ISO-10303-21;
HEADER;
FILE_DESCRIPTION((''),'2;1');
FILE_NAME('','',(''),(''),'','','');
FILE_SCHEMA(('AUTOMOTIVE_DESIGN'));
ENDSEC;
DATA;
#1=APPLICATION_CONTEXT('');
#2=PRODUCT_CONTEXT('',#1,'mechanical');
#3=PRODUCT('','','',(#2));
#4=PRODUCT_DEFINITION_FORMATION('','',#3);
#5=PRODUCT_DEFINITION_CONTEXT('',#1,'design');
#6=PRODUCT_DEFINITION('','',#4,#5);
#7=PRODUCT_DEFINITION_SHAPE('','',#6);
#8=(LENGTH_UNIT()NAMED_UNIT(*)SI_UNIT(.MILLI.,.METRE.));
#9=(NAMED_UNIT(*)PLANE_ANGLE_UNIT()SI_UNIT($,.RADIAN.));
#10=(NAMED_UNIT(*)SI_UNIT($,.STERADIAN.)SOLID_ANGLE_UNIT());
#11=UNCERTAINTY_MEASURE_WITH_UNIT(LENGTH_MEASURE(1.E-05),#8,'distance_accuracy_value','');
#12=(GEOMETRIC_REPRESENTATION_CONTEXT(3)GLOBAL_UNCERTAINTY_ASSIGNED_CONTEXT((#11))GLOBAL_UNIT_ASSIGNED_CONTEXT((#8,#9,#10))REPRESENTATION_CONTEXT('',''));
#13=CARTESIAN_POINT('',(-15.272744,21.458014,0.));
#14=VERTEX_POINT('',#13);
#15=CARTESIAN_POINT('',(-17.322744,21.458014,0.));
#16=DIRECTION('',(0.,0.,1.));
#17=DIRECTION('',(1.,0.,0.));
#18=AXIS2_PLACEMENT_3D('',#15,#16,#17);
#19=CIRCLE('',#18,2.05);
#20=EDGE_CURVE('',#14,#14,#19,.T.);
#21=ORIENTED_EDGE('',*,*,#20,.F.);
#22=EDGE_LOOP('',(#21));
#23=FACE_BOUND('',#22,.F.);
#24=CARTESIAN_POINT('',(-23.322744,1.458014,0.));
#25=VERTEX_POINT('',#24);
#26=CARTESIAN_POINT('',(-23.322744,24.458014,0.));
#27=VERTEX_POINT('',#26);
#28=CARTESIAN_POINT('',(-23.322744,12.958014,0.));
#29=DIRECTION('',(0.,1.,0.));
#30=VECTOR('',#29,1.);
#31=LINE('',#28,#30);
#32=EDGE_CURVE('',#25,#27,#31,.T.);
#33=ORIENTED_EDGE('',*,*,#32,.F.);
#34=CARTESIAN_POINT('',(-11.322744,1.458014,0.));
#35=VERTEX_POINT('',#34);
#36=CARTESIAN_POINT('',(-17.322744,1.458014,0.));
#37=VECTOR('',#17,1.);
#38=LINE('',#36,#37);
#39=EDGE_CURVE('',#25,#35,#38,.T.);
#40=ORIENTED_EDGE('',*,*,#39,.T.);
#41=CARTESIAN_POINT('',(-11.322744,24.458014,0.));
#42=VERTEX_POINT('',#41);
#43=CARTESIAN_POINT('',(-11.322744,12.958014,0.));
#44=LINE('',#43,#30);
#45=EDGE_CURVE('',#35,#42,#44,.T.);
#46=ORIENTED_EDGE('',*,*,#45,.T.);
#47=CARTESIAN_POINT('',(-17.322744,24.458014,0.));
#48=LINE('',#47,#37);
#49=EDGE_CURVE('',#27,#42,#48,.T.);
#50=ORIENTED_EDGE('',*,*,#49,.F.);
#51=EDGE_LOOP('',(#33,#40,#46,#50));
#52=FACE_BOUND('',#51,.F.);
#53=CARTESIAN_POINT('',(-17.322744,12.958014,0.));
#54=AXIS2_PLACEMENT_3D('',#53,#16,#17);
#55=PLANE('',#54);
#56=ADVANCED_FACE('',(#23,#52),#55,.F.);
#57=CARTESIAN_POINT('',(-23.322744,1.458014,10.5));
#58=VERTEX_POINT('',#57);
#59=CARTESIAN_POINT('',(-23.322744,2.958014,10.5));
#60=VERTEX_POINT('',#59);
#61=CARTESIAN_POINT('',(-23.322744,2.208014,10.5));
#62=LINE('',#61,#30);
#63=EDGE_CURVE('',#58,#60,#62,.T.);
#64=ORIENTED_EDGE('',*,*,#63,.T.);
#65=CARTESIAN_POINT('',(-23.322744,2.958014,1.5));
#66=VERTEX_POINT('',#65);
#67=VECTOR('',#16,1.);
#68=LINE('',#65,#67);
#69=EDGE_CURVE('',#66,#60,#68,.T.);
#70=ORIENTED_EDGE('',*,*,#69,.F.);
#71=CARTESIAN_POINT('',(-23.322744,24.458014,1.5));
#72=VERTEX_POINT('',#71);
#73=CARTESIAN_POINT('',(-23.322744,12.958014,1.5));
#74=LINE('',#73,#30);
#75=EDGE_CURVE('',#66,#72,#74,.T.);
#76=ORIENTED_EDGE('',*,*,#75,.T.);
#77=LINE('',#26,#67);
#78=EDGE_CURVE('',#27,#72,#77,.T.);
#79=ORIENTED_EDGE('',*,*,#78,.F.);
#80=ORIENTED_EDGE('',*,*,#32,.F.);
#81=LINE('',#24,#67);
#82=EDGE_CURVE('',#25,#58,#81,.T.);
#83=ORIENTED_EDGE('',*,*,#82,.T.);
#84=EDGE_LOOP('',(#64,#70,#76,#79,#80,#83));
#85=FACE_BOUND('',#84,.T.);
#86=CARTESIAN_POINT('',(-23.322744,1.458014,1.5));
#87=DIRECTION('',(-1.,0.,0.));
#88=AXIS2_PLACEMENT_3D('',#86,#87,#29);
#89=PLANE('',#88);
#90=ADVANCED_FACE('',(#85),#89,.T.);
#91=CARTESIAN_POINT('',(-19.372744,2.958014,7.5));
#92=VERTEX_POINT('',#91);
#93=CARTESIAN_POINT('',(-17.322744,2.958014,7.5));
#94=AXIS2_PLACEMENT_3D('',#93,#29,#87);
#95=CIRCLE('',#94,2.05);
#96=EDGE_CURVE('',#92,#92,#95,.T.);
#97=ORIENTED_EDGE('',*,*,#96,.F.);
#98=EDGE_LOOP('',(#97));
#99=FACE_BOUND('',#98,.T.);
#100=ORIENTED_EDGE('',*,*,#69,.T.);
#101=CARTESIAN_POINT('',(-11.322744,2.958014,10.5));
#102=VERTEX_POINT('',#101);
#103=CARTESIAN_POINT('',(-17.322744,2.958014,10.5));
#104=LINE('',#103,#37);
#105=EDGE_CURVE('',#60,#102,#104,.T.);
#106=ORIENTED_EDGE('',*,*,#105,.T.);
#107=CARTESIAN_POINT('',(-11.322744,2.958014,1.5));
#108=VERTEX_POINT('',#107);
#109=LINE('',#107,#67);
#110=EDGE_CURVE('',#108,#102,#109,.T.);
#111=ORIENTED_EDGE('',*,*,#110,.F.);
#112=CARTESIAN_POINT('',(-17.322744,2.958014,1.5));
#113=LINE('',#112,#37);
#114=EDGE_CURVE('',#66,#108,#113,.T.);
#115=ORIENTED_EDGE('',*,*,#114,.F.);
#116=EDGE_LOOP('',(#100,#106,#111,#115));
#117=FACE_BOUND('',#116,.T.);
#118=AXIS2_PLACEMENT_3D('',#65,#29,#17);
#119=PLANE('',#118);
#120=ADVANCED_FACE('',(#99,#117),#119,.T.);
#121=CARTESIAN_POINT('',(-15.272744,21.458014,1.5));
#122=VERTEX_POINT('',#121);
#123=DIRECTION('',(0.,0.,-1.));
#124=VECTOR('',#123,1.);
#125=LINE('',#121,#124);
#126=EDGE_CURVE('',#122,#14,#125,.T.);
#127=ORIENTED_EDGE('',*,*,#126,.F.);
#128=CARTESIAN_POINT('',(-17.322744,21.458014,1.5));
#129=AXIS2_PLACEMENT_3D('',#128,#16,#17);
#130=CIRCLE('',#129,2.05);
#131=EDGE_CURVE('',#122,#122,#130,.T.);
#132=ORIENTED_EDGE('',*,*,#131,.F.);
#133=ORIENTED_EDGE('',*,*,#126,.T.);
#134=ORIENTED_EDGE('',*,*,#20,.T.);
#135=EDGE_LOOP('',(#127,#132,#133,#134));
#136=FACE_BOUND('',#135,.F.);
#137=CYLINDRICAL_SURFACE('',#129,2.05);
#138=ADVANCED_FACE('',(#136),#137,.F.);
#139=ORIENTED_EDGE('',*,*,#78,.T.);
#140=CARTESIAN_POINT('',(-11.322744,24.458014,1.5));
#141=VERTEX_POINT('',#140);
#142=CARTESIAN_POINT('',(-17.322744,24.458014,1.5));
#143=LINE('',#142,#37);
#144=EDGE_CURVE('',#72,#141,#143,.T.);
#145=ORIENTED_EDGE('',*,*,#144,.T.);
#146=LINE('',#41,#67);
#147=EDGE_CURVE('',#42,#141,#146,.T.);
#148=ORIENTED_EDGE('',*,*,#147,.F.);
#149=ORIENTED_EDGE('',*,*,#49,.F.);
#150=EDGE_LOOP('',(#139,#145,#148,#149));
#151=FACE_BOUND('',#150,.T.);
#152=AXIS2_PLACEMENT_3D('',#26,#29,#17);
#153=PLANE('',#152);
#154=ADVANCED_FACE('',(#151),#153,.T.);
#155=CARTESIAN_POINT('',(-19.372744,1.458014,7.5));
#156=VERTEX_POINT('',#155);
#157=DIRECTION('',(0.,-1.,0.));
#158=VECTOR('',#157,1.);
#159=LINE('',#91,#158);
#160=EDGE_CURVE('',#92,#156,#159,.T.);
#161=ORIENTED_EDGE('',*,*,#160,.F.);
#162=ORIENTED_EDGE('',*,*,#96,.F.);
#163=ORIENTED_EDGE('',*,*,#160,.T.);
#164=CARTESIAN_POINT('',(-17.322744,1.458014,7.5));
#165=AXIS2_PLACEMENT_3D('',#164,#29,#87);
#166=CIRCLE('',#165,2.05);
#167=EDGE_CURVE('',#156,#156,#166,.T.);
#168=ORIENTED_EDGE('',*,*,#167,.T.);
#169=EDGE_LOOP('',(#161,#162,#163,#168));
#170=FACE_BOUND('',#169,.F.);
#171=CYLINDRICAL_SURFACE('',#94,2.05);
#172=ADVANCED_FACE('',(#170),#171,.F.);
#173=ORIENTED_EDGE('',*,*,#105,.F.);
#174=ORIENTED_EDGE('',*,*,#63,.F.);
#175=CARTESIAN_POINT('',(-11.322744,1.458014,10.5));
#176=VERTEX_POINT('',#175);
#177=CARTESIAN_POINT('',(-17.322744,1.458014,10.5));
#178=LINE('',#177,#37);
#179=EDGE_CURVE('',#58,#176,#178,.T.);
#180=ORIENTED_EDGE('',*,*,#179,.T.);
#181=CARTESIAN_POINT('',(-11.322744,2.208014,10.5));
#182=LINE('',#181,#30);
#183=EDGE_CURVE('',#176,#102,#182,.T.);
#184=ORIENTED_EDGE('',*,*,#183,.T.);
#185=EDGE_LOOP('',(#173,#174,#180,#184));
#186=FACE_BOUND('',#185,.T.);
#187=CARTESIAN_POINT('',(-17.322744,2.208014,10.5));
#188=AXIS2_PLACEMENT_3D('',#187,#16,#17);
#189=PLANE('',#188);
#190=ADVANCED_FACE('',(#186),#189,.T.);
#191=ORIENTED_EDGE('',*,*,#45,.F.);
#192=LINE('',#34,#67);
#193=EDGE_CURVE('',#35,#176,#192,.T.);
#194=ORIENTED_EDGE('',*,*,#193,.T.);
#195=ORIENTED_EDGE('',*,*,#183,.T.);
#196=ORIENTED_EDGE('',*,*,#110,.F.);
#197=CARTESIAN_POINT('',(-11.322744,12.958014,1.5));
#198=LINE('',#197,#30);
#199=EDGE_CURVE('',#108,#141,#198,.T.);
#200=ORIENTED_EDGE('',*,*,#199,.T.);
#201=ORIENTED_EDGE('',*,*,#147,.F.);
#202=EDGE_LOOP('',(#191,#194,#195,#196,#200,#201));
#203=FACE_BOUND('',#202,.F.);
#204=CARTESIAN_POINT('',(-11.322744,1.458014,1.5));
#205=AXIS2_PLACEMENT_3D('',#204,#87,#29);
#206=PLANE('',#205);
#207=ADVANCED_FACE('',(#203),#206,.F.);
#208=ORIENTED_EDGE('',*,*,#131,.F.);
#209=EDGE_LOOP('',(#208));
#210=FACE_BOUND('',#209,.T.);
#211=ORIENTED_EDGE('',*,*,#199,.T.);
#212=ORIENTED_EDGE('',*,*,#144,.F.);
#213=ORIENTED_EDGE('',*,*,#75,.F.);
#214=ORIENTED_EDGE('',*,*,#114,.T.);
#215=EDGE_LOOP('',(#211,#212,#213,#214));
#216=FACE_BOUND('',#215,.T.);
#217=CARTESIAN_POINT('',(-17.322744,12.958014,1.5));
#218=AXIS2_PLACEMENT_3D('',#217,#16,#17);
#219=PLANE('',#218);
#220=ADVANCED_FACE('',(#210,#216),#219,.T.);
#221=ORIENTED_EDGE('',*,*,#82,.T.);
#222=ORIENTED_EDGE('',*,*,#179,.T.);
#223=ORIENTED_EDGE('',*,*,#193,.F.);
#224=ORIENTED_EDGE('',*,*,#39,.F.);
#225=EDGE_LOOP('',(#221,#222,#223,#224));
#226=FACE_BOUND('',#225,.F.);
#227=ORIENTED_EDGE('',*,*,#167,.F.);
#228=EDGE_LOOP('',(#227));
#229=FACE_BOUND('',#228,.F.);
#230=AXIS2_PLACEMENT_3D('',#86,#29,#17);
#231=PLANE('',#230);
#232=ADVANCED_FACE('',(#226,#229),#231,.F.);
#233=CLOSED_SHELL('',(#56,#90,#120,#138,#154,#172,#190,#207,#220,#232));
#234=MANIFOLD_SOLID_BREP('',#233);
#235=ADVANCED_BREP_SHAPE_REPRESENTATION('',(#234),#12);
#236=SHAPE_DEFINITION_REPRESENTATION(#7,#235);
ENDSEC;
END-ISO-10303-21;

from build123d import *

# Parameters (mm, degrees)
F0_W     = 12
F0_H     = 23
F1_DEPTH = 1.5
F2_R     = 2.05
F3_DEPTH = 25
F4_W     = 12
F4_H     = 1.5
F5_DEPTH = 9
F6_R     = 2.05
F7_DEPTH = 25


with BuildPart() as f1:
    # F0 (on Top) → F1 (new body)
    with BuildSketch(Plane.XY):
        with Locations((-17.322744, 12.958014)):
            Rectangle(F0_W, F0_H)
    extrude(amount=F1_DEPTH)

    # F2 (on face) → F3 (cut)
    with BuildSketch(Plane.XY.offset(1.5)):
        with Locations((-17.322744, 21.458014)):
            Circle(F2_R)
    extrude(amount=-F3_DEPTH, mode=Mode.SUBTRACT)

    # F4 (on face) → F5 (join)
    with BuildSketch(Plane.XY.offset(1.5)):
        with Locations((-17.322744, 2.208014)):
            Rectangle(F4_W, F4_H)
    extrude(amount=F5_DEPTH)

    # F6 (on face) → F7 (cut)
    with BuildSketch(Plane(origin=(0, 2.958014, 0), x_dir=(-1, 0, 0), z_dir=(0, 1, 0))):
        with Locations((17.322744, 7.5)):
            Circle(F6_R)
    extrude(amount=-F7_DEPTH, mode=Mode.SUBTRACT)


solid = f1.part
